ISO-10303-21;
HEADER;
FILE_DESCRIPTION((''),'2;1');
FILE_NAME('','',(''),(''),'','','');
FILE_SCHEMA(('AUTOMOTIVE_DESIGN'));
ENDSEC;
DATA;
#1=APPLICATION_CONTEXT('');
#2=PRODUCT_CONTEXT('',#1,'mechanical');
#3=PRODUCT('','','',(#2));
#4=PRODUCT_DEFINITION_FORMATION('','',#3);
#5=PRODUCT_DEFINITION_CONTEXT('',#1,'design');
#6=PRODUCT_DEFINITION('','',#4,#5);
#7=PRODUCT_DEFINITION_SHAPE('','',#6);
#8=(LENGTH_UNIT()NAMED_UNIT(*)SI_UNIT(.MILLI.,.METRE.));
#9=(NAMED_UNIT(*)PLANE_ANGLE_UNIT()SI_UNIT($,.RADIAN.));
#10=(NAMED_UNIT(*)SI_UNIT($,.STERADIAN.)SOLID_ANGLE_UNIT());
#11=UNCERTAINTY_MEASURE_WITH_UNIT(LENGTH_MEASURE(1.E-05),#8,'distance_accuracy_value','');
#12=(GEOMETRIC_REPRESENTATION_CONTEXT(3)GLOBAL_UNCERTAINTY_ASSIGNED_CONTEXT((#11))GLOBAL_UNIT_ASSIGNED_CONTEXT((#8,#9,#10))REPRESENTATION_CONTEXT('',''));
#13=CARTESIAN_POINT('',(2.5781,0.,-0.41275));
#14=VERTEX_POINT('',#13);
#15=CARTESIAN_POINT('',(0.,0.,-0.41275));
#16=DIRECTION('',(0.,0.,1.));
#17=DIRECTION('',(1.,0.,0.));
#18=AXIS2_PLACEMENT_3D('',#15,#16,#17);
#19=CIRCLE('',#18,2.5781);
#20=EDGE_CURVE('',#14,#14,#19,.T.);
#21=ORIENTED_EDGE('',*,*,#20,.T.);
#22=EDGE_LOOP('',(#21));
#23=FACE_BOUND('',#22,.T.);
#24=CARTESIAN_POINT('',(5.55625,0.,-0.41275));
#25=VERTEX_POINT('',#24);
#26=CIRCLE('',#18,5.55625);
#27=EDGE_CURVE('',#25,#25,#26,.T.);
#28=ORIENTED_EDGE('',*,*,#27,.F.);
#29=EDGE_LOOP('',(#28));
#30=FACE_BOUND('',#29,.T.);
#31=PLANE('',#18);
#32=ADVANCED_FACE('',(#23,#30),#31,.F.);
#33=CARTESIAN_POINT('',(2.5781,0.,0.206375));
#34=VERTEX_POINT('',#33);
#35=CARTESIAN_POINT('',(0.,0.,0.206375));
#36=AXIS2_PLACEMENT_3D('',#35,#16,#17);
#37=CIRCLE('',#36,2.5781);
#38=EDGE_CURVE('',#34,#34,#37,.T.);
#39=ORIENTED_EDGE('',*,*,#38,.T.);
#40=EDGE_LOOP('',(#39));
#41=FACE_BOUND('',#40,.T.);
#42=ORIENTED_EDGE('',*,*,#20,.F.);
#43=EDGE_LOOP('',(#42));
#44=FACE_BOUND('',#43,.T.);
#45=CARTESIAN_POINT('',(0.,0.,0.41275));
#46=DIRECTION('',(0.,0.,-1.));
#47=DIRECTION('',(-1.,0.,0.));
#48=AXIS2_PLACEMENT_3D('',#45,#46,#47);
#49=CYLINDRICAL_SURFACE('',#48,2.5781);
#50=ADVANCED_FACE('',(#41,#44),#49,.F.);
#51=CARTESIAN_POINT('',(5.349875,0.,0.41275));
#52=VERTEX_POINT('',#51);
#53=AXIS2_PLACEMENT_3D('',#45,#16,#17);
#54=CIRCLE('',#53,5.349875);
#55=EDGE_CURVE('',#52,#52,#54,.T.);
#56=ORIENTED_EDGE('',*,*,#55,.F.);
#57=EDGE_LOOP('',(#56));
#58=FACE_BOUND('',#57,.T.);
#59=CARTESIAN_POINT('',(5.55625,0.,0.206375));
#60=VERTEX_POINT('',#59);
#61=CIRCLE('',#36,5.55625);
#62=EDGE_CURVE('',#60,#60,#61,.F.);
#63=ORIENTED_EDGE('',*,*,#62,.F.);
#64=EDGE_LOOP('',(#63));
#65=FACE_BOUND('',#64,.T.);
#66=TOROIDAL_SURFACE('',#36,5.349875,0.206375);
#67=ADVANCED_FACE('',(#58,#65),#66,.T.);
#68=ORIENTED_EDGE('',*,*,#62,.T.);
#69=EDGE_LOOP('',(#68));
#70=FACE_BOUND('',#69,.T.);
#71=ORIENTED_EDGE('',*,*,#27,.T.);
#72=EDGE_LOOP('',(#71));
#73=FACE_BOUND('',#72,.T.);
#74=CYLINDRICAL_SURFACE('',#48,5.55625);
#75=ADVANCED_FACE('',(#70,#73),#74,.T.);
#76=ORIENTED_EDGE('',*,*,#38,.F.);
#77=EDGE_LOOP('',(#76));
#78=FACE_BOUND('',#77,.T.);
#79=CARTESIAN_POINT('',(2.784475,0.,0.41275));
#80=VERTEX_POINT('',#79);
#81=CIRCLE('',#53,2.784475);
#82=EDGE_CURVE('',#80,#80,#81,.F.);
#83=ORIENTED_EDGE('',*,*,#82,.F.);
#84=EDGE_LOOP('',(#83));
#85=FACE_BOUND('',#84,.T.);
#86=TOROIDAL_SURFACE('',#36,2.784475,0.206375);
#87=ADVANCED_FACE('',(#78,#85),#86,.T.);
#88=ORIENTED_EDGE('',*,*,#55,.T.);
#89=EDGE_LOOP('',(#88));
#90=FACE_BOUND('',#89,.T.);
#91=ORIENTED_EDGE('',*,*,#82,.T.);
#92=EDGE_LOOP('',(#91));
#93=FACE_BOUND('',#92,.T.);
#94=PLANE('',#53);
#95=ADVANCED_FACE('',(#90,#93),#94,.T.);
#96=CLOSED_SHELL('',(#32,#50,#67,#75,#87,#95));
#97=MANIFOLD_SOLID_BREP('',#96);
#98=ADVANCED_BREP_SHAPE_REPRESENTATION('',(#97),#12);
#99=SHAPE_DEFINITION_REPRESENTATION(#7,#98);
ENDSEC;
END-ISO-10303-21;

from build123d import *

# Parameters (mm, degrees)
SKETCH3_R                = 5.55625
SKETCH3_R_2              = 2.5781
BOSS_EXTRUDE1_DEPTH      = 0.41275
BOSS_EXTRUDE1_DEPTH_BACK = 0.41275
FILLET1_R                = 0.206375


with BuildPart() as part:
    # Sketch3 → Boss-Extrude1 (new body, two sides)
    with BuildSketch(Plane.XY) as boss_extrude1_sk:
        Circle(SKETCH3_R)
        Circle(SKETCH3_R_2, mode=Mode.SUBTRACT)
    extrude(amount=BOSS_EXTRUDE1_DEPTH)
    extrude(boss_extrude1_sk.sketch, amount=-BOSS_EXTRUDE1_DEPTH_BACK)

    # Fillet1
    fillet1_edges = [part.edges().sort_by_distance(p)[0] for p in [
        (-5.55625, 0, 0.41275),
        (-2.5781, 0, 0.41275),
    ]]
    fillet(fillet1_edges, radius=FILLET1_R)


solid = part.part
